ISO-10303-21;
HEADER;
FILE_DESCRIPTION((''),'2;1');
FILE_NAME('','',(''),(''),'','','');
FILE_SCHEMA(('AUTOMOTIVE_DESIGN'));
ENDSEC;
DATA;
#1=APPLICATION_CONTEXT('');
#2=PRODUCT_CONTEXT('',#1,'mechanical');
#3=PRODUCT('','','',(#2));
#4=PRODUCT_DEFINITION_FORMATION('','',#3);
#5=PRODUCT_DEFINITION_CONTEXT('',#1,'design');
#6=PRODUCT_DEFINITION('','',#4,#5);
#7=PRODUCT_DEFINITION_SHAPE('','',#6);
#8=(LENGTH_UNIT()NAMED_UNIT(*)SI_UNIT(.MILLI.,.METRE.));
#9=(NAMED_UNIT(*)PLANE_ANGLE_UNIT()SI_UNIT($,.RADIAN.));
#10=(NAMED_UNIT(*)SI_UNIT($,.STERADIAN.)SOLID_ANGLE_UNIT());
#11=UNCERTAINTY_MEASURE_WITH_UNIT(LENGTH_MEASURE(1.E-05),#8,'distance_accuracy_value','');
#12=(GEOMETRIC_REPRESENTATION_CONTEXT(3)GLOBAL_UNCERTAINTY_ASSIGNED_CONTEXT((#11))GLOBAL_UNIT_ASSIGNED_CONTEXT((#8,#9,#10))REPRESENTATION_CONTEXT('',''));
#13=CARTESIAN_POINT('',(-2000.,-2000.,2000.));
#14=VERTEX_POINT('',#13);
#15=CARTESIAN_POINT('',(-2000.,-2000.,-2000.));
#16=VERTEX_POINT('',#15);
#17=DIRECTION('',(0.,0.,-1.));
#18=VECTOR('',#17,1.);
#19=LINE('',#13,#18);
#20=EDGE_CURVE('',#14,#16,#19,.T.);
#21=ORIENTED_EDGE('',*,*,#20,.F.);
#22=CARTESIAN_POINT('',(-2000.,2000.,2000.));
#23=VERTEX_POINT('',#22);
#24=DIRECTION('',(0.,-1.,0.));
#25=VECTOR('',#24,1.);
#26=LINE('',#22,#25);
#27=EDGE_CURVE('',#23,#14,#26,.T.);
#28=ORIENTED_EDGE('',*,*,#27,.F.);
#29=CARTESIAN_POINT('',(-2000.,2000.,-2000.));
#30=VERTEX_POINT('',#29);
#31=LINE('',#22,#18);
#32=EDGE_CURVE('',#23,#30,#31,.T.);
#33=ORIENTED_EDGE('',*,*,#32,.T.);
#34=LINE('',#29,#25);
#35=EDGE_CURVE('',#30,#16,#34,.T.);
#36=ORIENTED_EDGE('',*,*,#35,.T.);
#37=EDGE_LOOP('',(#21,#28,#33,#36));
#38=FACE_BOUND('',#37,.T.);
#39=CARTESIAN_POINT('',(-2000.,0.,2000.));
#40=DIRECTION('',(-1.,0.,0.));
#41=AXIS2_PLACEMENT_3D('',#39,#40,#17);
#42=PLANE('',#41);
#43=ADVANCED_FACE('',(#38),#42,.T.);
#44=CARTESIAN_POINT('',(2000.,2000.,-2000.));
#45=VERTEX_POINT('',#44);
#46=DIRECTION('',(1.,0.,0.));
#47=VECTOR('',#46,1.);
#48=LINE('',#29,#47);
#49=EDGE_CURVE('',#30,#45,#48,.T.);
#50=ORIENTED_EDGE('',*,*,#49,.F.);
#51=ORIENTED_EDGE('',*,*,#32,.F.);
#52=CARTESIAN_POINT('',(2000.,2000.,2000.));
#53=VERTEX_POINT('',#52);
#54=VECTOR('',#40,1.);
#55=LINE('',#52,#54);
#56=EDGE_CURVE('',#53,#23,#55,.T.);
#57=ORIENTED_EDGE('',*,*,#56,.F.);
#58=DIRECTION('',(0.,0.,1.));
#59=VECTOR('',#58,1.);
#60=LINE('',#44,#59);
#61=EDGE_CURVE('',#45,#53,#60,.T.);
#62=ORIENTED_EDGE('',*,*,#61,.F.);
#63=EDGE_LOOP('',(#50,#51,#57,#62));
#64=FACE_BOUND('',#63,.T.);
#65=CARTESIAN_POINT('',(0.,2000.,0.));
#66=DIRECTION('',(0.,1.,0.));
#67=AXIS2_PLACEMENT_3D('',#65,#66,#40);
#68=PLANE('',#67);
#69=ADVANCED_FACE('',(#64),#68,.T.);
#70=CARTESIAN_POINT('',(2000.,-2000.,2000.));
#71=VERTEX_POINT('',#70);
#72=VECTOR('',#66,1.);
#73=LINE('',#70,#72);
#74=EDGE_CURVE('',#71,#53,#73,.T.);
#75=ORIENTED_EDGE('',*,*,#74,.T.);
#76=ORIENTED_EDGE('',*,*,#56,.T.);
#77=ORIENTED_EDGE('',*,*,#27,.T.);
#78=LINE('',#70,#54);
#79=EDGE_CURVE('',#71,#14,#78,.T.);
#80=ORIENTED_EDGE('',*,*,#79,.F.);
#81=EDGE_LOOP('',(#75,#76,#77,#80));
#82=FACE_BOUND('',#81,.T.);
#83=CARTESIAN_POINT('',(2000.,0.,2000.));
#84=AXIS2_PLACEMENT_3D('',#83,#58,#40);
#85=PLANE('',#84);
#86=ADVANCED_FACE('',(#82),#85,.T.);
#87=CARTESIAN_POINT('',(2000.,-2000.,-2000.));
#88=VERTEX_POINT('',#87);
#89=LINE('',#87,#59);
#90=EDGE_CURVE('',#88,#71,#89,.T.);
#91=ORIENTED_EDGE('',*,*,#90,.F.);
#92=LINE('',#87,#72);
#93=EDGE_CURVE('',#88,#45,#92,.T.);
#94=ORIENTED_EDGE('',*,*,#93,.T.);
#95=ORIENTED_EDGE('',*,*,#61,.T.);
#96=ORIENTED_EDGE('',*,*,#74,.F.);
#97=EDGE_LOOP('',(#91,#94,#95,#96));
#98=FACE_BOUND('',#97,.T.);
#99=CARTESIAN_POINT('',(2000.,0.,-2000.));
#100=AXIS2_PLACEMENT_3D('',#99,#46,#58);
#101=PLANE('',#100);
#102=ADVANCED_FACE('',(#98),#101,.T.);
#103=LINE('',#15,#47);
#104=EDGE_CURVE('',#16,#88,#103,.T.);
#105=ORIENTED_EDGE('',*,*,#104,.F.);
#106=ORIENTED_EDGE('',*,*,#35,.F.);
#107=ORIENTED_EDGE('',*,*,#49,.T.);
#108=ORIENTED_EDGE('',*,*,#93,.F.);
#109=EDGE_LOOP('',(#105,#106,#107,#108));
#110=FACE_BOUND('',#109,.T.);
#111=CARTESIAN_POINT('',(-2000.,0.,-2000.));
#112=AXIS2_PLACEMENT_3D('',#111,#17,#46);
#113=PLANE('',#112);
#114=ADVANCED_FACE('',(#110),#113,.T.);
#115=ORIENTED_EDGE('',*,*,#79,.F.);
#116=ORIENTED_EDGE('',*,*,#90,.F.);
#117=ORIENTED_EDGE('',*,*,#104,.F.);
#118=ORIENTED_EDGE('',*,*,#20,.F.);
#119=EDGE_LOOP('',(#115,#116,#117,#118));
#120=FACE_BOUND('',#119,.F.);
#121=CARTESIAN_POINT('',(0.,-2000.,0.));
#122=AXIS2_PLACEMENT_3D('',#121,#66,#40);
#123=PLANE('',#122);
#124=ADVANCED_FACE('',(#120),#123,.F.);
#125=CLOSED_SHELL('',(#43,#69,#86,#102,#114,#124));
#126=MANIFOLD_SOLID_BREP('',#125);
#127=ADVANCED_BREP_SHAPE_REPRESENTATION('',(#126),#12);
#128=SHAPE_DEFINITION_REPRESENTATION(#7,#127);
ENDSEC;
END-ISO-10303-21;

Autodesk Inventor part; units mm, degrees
ref_plane "YZ Plane" through (0, 0, 0) normal (1, 0, 0) x (0, 1, 0)
ref_plane "XZ Plane" through (0, 0, 0) normal (0, 1, 0) x (-1, 0, 0)
ref_plane "XY Plane" through (0, 0, 0) normal (0, 0, 1) x (1, 0, 0)
sketch "Sketch1" plane through (0, 0, 0) normal (0, 1, 0) x (-1, 0, 0)
  line L0 (-2000, 2000) -> (2000, 2000)
  line L1 (2000, 2000) -> (2000, -2000)
  line L2 (2000, -2000) -> (-2000, -2000)
  line L3 (-2000, -2000) -> (-2000, 2000)
  line L4 (-2000, 2000) -> (2000, -2000) construction
  line L5 (2000, 2000) -> (-2000, -2000) construction
  point P0 (0, 0)
  dimension "d0" = 4000
  dimension "d1" = 4000
extrude "Extrusion1" add sketch "Sketch1" along normal mid plane 4000
properties part number "Powietrze" material "Water"
